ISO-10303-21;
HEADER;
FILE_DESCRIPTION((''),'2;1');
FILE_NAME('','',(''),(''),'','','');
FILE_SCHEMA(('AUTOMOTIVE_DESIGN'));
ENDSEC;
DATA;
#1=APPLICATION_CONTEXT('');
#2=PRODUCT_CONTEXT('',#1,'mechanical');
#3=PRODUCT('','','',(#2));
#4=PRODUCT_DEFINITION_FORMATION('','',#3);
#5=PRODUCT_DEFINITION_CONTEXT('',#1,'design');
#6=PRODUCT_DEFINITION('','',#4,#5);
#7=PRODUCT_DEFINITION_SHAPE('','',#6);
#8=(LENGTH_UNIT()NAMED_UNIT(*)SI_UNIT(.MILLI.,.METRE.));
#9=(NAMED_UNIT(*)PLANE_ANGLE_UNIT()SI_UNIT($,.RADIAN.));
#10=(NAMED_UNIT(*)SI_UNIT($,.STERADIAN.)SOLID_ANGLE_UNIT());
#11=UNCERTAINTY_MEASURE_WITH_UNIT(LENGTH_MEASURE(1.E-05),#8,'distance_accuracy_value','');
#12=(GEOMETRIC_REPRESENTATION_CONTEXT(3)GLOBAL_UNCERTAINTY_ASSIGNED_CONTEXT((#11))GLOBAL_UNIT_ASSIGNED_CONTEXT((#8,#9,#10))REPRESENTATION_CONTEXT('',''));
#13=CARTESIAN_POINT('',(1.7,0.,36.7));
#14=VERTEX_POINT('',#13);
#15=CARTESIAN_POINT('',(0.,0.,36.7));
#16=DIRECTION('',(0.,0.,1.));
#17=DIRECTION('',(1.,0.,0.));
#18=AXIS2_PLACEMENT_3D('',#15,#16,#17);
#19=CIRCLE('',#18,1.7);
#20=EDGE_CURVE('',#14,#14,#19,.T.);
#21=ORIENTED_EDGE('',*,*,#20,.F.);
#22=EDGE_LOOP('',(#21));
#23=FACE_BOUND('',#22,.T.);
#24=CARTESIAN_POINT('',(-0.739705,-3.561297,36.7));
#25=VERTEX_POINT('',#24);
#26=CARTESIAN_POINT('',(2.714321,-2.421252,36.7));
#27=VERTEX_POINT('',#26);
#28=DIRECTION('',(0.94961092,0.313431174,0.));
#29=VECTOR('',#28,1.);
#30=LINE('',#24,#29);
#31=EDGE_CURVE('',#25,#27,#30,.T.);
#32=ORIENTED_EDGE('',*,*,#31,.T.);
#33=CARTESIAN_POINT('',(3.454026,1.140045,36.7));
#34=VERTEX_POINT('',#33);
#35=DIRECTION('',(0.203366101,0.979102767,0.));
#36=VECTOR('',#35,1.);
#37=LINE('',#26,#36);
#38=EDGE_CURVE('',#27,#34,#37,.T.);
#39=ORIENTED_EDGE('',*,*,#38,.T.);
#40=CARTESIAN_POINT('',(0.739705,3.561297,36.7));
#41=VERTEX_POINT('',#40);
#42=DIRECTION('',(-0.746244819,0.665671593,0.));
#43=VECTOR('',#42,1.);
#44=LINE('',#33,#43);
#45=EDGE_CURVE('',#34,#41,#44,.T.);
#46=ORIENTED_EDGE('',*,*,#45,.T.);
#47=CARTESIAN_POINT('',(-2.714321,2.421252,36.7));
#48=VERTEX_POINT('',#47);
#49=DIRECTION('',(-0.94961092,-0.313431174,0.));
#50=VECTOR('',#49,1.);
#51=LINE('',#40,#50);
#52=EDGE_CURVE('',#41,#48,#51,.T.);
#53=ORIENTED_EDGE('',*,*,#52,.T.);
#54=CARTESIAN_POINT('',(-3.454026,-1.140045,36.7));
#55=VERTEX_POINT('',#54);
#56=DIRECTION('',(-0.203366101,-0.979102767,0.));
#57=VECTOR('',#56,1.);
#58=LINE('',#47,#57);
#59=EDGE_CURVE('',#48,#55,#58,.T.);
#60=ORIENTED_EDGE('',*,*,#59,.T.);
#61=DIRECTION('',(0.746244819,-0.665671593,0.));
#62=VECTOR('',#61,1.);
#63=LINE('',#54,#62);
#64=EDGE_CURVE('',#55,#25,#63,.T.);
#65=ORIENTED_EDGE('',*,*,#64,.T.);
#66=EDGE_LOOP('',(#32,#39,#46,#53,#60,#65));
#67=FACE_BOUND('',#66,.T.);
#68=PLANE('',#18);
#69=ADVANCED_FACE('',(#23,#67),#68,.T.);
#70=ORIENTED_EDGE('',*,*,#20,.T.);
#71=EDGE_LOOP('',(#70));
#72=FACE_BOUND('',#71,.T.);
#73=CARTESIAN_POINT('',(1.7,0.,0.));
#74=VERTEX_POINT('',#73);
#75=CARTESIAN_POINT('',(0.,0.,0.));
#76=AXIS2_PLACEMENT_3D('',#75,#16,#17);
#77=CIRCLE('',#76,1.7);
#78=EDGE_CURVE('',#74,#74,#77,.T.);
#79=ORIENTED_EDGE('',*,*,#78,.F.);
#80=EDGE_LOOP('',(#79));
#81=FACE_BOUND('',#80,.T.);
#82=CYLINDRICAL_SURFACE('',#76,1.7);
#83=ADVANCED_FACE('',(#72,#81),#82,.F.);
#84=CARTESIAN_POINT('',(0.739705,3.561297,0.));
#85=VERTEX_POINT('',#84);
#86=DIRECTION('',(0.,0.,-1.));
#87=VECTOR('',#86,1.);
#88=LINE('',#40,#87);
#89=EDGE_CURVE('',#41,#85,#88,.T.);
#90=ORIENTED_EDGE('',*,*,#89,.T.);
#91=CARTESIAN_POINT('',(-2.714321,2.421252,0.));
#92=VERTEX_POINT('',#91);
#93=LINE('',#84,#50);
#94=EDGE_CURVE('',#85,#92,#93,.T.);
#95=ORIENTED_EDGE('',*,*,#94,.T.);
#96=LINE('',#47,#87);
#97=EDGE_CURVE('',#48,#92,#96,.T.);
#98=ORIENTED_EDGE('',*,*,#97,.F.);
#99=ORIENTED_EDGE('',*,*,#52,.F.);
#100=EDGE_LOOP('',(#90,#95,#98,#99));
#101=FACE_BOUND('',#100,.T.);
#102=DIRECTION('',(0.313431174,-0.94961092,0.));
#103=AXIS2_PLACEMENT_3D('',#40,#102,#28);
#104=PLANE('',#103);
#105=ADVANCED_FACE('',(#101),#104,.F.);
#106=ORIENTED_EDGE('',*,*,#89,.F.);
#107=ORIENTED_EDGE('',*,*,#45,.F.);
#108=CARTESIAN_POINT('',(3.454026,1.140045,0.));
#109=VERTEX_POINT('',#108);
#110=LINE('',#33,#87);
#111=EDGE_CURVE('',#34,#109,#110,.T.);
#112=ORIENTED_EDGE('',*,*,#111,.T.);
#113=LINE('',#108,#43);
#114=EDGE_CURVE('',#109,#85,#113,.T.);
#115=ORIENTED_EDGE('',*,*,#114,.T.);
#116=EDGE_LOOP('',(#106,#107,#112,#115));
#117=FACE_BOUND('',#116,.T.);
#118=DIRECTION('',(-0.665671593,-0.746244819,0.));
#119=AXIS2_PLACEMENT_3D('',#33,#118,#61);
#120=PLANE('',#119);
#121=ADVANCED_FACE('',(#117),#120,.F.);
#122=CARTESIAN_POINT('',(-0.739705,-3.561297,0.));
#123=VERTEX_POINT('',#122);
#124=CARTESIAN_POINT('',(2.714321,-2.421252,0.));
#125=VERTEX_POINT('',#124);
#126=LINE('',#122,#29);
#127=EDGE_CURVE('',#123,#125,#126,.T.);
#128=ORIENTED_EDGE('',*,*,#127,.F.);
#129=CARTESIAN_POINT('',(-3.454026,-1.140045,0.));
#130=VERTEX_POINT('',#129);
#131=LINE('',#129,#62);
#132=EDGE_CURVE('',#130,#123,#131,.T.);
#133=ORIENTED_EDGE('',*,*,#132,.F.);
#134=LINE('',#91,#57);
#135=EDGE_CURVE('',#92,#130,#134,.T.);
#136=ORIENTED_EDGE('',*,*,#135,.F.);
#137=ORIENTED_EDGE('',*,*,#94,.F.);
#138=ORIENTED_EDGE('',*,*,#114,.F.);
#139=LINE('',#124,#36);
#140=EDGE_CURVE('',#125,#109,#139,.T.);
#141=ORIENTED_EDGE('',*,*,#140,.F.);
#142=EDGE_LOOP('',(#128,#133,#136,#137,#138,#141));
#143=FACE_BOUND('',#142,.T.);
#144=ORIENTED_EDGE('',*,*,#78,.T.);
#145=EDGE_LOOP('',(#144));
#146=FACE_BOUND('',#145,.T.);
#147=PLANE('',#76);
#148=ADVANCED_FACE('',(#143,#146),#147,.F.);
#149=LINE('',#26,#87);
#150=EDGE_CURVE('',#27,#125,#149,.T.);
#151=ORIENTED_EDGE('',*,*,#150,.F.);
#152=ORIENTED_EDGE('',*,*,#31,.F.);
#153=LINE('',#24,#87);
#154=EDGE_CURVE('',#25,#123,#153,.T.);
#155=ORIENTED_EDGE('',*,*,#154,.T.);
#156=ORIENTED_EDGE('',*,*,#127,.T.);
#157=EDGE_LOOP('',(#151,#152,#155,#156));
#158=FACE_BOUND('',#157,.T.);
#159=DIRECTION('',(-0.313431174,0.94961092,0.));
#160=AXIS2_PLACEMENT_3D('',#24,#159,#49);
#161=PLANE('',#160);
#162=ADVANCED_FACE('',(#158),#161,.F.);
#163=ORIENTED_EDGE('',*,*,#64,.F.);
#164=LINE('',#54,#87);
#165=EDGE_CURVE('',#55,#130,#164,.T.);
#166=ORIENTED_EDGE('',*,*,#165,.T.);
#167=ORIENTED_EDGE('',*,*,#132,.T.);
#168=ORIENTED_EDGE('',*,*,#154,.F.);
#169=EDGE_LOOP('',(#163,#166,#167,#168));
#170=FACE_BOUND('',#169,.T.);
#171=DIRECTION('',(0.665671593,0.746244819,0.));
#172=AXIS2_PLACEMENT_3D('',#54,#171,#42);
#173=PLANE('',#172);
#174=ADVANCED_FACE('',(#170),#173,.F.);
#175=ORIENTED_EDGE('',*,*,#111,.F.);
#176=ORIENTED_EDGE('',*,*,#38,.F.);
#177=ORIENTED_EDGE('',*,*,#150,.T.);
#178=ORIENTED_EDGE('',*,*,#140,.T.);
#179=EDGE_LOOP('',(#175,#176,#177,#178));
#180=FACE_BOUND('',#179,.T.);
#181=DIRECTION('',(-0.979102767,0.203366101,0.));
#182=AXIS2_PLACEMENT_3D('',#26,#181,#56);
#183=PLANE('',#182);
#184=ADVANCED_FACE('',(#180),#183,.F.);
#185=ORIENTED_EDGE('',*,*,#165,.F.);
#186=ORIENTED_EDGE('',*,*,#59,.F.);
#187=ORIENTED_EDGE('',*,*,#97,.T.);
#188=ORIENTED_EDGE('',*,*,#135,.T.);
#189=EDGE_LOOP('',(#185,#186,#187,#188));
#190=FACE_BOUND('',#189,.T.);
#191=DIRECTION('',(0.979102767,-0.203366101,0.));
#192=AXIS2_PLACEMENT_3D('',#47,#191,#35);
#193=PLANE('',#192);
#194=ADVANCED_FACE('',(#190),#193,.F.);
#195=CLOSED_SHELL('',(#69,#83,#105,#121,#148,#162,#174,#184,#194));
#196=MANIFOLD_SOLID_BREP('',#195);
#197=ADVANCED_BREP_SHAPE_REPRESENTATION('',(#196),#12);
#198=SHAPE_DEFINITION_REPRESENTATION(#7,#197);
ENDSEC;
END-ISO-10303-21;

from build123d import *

# Parameters (mm, degrees)
SALIENTE_EXTRUIR1_DEPTH = 36.7
CROQUIS2_R              = 1.7
CORTAR_EXTRUIR1_DEPTH   = 37.7


with BuildPart() as part:
    # Croquis1 → Saliente-Extruir1 (new body)
    with BuildSketch(Plane.XY):
        Polygon((3.454026158, 1.140045307), (0.739704881, 3.561297051), (-2.714321276, 2.421251744), (-3.454026158, -1.140045307), (-0.739704881, -3.561297051), (2.714321276, -2.421251744), align=None)
    extrude(amount=SALIENTE_EXTRUIR1_DEPTH)

    # Croquis2 → Cortar-Extruir1 (cut, through all)
    with BuildSketch(Plane.XY.offset(36.7)):
        Circle(CROQUIS2_R)
    extrude(amount=-CORTAR_EXTRUIR1_DEPTH, mode=Mode.SUBTRACT)


solid = part.part
